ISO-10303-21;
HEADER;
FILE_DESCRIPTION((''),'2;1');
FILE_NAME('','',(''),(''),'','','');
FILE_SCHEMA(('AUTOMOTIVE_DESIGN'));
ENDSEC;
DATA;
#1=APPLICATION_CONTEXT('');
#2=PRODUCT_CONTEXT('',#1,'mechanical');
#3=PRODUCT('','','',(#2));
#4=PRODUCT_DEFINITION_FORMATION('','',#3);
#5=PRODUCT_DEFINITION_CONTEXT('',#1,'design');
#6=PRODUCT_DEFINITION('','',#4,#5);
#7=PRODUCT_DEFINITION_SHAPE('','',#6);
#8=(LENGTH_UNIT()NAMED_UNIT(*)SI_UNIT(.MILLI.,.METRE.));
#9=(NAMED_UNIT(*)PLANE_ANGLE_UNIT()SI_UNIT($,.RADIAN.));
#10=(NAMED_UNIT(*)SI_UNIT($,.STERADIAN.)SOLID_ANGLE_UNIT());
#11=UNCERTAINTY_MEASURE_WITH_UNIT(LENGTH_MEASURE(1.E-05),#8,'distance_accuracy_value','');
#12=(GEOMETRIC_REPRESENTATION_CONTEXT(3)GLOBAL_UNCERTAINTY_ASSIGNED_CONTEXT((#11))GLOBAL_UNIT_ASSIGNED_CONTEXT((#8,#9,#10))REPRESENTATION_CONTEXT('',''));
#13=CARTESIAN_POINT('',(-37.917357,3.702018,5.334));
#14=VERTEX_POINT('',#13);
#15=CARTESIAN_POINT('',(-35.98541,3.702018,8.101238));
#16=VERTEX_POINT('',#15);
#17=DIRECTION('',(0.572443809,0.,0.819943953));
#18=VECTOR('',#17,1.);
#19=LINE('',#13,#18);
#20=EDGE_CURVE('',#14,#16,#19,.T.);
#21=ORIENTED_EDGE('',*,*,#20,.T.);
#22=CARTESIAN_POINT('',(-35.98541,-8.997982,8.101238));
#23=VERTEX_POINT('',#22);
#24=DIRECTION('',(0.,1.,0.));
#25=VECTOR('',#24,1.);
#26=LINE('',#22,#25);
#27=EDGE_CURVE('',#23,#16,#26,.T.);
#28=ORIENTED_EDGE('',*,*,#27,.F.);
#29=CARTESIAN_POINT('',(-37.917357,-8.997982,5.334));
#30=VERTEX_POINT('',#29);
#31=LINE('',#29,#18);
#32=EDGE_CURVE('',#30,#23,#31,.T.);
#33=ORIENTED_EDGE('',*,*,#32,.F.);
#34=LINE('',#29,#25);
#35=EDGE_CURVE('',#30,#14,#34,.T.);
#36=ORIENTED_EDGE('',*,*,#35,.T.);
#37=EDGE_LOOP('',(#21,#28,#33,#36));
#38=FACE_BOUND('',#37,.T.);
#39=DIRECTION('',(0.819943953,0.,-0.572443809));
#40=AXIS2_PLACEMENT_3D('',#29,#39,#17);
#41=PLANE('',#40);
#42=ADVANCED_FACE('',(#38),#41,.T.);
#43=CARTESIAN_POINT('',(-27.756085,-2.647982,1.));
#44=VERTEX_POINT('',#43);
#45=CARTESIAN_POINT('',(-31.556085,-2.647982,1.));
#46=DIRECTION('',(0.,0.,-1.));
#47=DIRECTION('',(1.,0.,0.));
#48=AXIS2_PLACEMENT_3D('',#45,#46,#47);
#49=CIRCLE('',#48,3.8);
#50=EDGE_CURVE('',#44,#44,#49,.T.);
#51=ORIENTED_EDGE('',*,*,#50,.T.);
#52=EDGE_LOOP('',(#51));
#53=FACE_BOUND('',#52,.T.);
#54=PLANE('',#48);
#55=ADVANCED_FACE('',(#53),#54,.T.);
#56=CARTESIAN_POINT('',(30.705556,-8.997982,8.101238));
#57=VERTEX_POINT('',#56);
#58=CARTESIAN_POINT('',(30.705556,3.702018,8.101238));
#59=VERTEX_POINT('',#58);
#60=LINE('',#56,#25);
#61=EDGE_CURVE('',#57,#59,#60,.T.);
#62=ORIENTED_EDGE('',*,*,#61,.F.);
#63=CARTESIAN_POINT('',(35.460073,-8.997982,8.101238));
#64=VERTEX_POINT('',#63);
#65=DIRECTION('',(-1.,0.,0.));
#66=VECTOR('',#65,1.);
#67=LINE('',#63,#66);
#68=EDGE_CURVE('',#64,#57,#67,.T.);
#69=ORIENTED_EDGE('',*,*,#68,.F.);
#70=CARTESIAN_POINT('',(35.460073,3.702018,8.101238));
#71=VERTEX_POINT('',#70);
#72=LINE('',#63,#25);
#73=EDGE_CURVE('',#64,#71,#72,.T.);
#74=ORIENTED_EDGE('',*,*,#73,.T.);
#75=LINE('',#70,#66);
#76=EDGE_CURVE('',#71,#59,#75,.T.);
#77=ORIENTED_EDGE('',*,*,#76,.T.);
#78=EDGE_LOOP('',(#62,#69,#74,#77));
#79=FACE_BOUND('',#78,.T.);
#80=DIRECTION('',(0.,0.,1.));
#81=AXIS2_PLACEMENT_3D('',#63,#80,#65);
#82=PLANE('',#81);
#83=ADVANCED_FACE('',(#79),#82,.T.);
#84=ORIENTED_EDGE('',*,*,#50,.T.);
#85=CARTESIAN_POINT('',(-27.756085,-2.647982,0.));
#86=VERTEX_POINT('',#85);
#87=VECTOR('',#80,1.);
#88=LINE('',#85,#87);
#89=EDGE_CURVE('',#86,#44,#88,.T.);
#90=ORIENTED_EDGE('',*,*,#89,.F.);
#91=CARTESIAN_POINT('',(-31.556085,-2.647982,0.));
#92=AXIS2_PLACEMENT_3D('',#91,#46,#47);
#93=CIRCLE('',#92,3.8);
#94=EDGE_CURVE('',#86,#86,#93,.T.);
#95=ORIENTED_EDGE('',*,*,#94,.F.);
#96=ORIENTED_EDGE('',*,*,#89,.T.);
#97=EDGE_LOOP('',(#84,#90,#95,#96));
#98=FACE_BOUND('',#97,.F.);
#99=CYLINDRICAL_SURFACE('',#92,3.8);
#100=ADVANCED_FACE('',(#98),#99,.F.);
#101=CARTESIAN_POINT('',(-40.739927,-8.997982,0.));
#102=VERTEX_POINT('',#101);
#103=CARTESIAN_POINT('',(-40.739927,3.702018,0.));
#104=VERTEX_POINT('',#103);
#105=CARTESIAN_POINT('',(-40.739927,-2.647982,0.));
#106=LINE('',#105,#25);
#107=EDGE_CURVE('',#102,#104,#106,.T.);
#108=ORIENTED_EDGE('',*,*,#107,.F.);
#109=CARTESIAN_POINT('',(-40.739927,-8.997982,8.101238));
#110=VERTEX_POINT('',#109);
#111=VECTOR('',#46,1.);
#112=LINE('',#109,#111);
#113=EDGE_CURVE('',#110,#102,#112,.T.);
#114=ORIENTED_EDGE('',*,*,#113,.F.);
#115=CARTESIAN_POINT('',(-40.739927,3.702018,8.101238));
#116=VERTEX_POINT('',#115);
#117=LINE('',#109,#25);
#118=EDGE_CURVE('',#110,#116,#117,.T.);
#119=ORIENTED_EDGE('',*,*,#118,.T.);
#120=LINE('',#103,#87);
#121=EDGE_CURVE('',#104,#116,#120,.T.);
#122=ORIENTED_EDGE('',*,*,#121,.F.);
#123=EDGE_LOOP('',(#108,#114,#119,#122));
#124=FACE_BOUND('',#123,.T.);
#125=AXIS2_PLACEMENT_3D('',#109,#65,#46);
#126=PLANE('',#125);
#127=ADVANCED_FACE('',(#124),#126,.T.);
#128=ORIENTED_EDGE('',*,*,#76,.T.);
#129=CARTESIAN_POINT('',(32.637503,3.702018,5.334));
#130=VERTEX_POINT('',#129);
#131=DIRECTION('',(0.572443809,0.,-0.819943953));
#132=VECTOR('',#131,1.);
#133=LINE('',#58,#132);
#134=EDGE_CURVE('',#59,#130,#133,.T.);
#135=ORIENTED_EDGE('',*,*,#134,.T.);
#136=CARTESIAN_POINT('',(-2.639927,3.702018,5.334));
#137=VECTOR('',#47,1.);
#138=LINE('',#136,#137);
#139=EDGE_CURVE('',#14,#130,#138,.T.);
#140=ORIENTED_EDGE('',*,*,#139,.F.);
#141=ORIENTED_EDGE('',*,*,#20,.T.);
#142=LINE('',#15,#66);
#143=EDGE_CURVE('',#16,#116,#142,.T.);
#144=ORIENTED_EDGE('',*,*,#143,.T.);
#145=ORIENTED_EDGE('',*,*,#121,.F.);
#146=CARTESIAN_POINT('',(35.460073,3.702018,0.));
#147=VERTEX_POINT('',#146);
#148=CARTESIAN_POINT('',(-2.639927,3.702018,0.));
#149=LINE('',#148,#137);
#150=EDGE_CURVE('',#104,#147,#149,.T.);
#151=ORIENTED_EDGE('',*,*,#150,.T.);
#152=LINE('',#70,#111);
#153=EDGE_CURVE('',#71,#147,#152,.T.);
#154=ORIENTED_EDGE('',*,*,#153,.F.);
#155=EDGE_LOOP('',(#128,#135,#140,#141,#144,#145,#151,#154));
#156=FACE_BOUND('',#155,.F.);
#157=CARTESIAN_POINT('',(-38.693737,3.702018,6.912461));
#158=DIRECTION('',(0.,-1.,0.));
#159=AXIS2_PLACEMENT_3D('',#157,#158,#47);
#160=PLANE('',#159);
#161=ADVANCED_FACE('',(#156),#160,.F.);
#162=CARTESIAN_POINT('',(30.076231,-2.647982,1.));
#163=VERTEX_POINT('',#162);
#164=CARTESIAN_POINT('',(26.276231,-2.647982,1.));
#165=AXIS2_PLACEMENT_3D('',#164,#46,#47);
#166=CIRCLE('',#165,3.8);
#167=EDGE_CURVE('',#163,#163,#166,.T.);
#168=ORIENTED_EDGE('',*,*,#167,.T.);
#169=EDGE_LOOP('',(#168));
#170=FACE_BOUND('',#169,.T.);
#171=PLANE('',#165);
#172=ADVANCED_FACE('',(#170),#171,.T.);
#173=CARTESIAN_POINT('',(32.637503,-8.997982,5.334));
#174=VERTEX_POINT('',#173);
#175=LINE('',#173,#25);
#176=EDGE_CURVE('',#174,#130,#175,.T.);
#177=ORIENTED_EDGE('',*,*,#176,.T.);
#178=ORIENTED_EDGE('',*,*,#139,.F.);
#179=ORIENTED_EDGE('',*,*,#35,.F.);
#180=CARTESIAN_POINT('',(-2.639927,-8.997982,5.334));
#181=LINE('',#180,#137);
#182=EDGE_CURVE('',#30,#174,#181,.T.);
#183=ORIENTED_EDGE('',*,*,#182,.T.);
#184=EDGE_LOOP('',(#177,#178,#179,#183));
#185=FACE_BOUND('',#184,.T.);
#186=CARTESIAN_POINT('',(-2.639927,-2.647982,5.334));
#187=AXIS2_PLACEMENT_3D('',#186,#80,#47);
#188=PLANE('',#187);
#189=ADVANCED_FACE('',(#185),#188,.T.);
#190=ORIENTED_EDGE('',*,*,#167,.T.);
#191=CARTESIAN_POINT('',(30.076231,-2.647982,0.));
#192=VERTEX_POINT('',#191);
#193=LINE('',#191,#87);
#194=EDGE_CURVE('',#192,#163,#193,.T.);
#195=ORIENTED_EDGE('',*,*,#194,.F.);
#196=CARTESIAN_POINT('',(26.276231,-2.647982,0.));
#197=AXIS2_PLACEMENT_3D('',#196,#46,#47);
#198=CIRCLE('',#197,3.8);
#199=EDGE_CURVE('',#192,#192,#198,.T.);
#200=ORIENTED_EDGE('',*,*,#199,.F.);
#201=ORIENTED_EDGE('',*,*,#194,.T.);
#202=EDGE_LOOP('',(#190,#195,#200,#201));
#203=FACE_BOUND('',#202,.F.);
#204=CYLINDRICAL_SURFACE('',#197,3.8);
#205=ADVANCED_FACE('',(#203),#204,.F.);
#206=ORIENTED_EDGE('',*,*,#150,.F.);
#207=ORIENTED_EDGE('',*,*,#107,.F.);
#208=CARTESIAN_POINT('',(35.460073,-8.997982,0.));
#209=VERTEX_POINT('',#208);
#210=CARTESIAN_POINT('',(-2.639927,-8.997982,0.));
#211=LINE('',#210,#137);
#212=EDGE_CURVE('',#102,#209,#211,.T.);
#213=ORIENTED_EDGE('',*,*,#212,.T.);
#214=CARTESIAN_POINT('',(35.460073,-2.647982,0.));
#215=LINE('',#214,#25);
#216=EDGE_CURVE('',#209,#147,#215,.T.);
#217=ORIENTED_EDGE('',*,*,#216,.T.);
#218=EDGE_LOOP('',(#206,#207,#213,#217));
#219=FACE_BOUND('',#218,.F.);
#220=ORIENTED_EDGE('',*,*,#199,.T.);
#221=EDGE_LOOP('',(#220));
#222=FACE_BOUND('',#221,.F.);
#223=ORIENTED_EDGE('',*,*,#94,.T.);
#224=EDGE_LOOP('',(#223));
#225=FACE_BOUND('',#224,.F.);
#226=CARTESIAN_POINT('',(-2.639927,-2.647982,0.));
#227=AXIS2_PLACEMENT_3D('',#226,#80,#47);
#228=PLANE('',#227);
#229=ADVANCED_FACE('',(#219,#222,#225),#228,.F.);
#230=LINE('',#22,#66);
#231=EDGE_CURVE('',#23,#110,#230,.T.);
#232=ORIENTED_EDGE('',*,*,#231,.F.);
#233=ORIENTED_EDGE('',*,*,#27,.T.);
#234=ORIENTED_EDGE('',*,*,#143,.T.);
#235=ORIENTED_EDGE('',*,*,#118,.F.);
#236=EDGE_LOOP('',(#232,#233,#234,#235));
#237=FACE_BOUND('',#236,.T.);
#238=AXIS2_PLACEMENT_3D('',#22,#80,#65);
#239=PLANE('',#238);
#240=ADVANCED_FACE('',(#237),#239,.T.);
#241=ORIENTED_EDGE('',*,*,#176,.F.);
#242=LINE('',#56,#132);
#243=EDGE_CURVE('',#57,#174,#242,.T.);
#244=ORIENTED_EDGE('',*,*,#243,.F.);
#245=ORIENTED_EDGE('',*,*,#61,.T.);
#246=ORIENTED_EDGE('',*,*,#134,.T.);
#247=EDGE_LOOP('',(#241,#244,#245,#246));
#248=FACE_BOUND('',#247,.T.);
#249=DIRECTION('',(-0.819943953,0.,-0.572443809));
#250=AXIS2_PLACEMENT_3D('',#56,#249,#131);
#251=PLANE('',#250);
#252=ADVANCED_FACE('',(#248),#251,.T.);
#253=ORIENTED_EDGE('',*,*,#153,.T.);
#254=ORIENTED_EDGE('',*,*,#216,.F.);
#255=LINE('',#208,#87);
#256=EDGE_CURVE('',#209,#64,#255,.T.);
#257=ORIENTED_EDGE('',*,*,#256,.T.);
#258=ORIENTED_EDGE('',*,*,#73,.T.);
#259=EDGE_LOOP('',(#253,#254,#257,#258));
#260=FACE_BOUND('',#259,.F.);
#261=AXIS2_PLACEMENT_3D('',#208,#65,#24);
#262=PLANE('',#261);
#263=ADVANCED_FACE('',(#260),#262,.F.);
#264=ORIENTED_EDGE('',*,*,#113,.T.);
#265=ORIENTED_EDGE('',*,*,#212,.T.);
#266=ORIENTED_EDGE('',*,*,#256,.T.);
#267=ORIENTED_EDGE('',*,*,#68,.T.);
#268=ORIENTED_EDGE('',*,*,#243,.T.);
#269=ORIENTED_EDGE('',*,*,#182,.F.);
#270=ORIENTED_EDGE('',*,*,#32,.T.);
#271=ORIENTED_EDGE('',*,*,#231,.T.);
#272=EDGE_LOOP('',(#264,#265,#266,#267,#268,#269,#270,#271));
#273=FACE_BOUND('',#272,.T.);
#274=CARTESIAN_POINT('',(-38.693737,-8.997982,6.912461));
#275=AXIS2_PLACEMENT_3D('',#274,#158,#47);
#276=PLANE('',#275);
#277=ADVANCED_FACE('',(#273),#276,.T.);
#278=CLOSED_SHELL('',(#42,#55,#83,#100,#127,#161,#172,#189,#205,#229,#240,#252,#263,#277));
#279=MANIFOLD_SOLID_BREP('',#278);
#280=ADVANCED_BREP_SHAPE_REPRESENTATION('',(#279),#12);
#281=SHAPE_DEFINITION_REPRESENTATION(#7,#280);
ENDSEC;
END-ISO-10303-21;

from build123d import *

# Parameters (mm, degrees)
F0_W     = 76.2
F0_H     = 12.7
F1_DEPTH = 5.334
F3_DEPTH = 12.7
F4_R     = 3.8
F5_DEPTH = 1


with BuildPart() as f1:
    # F0 (on Top) → F1 (new body)
    with BuildSketch(Plane.XY):
        with Locations((-2.639927, -2.647982)):
            Rectangle(F0_W, F0_H)
    extrude(amount=F1_DEPTH)

    # F2 (on face) → F3 (join, through all)
    with BuildSketch(Plane.XZ.offset(8.997982)):
        Polygon((-40.739927, 5.334), (-37.917357, 5.334), (-35.98541, 8.101238), (-40.739927, 8.101238), align=None)
        Polygon((30.705556, 8.101238), (32.637503, 5.334), (35.460073, 5.334), (35.460073, 8.101238), align=None)
    extrude(amount=-F3_DEPTH)

    # F4 (on face) → F5 (cut)
    with BuildSketch(Plane(origin=(0, 0, 0), x_dir=(1, 0, 0), z_dir=(0, 0, -1))):
        with Locations((-31.556085, 2.647982)):
            Circle(F4_R)
        with Locations((26.276231, 2.647982)):
            Circle(F4_R)
    extrude(amount=-F5_DEPTH, mode=Mode.SUBTRACT)


solid = f1.part
